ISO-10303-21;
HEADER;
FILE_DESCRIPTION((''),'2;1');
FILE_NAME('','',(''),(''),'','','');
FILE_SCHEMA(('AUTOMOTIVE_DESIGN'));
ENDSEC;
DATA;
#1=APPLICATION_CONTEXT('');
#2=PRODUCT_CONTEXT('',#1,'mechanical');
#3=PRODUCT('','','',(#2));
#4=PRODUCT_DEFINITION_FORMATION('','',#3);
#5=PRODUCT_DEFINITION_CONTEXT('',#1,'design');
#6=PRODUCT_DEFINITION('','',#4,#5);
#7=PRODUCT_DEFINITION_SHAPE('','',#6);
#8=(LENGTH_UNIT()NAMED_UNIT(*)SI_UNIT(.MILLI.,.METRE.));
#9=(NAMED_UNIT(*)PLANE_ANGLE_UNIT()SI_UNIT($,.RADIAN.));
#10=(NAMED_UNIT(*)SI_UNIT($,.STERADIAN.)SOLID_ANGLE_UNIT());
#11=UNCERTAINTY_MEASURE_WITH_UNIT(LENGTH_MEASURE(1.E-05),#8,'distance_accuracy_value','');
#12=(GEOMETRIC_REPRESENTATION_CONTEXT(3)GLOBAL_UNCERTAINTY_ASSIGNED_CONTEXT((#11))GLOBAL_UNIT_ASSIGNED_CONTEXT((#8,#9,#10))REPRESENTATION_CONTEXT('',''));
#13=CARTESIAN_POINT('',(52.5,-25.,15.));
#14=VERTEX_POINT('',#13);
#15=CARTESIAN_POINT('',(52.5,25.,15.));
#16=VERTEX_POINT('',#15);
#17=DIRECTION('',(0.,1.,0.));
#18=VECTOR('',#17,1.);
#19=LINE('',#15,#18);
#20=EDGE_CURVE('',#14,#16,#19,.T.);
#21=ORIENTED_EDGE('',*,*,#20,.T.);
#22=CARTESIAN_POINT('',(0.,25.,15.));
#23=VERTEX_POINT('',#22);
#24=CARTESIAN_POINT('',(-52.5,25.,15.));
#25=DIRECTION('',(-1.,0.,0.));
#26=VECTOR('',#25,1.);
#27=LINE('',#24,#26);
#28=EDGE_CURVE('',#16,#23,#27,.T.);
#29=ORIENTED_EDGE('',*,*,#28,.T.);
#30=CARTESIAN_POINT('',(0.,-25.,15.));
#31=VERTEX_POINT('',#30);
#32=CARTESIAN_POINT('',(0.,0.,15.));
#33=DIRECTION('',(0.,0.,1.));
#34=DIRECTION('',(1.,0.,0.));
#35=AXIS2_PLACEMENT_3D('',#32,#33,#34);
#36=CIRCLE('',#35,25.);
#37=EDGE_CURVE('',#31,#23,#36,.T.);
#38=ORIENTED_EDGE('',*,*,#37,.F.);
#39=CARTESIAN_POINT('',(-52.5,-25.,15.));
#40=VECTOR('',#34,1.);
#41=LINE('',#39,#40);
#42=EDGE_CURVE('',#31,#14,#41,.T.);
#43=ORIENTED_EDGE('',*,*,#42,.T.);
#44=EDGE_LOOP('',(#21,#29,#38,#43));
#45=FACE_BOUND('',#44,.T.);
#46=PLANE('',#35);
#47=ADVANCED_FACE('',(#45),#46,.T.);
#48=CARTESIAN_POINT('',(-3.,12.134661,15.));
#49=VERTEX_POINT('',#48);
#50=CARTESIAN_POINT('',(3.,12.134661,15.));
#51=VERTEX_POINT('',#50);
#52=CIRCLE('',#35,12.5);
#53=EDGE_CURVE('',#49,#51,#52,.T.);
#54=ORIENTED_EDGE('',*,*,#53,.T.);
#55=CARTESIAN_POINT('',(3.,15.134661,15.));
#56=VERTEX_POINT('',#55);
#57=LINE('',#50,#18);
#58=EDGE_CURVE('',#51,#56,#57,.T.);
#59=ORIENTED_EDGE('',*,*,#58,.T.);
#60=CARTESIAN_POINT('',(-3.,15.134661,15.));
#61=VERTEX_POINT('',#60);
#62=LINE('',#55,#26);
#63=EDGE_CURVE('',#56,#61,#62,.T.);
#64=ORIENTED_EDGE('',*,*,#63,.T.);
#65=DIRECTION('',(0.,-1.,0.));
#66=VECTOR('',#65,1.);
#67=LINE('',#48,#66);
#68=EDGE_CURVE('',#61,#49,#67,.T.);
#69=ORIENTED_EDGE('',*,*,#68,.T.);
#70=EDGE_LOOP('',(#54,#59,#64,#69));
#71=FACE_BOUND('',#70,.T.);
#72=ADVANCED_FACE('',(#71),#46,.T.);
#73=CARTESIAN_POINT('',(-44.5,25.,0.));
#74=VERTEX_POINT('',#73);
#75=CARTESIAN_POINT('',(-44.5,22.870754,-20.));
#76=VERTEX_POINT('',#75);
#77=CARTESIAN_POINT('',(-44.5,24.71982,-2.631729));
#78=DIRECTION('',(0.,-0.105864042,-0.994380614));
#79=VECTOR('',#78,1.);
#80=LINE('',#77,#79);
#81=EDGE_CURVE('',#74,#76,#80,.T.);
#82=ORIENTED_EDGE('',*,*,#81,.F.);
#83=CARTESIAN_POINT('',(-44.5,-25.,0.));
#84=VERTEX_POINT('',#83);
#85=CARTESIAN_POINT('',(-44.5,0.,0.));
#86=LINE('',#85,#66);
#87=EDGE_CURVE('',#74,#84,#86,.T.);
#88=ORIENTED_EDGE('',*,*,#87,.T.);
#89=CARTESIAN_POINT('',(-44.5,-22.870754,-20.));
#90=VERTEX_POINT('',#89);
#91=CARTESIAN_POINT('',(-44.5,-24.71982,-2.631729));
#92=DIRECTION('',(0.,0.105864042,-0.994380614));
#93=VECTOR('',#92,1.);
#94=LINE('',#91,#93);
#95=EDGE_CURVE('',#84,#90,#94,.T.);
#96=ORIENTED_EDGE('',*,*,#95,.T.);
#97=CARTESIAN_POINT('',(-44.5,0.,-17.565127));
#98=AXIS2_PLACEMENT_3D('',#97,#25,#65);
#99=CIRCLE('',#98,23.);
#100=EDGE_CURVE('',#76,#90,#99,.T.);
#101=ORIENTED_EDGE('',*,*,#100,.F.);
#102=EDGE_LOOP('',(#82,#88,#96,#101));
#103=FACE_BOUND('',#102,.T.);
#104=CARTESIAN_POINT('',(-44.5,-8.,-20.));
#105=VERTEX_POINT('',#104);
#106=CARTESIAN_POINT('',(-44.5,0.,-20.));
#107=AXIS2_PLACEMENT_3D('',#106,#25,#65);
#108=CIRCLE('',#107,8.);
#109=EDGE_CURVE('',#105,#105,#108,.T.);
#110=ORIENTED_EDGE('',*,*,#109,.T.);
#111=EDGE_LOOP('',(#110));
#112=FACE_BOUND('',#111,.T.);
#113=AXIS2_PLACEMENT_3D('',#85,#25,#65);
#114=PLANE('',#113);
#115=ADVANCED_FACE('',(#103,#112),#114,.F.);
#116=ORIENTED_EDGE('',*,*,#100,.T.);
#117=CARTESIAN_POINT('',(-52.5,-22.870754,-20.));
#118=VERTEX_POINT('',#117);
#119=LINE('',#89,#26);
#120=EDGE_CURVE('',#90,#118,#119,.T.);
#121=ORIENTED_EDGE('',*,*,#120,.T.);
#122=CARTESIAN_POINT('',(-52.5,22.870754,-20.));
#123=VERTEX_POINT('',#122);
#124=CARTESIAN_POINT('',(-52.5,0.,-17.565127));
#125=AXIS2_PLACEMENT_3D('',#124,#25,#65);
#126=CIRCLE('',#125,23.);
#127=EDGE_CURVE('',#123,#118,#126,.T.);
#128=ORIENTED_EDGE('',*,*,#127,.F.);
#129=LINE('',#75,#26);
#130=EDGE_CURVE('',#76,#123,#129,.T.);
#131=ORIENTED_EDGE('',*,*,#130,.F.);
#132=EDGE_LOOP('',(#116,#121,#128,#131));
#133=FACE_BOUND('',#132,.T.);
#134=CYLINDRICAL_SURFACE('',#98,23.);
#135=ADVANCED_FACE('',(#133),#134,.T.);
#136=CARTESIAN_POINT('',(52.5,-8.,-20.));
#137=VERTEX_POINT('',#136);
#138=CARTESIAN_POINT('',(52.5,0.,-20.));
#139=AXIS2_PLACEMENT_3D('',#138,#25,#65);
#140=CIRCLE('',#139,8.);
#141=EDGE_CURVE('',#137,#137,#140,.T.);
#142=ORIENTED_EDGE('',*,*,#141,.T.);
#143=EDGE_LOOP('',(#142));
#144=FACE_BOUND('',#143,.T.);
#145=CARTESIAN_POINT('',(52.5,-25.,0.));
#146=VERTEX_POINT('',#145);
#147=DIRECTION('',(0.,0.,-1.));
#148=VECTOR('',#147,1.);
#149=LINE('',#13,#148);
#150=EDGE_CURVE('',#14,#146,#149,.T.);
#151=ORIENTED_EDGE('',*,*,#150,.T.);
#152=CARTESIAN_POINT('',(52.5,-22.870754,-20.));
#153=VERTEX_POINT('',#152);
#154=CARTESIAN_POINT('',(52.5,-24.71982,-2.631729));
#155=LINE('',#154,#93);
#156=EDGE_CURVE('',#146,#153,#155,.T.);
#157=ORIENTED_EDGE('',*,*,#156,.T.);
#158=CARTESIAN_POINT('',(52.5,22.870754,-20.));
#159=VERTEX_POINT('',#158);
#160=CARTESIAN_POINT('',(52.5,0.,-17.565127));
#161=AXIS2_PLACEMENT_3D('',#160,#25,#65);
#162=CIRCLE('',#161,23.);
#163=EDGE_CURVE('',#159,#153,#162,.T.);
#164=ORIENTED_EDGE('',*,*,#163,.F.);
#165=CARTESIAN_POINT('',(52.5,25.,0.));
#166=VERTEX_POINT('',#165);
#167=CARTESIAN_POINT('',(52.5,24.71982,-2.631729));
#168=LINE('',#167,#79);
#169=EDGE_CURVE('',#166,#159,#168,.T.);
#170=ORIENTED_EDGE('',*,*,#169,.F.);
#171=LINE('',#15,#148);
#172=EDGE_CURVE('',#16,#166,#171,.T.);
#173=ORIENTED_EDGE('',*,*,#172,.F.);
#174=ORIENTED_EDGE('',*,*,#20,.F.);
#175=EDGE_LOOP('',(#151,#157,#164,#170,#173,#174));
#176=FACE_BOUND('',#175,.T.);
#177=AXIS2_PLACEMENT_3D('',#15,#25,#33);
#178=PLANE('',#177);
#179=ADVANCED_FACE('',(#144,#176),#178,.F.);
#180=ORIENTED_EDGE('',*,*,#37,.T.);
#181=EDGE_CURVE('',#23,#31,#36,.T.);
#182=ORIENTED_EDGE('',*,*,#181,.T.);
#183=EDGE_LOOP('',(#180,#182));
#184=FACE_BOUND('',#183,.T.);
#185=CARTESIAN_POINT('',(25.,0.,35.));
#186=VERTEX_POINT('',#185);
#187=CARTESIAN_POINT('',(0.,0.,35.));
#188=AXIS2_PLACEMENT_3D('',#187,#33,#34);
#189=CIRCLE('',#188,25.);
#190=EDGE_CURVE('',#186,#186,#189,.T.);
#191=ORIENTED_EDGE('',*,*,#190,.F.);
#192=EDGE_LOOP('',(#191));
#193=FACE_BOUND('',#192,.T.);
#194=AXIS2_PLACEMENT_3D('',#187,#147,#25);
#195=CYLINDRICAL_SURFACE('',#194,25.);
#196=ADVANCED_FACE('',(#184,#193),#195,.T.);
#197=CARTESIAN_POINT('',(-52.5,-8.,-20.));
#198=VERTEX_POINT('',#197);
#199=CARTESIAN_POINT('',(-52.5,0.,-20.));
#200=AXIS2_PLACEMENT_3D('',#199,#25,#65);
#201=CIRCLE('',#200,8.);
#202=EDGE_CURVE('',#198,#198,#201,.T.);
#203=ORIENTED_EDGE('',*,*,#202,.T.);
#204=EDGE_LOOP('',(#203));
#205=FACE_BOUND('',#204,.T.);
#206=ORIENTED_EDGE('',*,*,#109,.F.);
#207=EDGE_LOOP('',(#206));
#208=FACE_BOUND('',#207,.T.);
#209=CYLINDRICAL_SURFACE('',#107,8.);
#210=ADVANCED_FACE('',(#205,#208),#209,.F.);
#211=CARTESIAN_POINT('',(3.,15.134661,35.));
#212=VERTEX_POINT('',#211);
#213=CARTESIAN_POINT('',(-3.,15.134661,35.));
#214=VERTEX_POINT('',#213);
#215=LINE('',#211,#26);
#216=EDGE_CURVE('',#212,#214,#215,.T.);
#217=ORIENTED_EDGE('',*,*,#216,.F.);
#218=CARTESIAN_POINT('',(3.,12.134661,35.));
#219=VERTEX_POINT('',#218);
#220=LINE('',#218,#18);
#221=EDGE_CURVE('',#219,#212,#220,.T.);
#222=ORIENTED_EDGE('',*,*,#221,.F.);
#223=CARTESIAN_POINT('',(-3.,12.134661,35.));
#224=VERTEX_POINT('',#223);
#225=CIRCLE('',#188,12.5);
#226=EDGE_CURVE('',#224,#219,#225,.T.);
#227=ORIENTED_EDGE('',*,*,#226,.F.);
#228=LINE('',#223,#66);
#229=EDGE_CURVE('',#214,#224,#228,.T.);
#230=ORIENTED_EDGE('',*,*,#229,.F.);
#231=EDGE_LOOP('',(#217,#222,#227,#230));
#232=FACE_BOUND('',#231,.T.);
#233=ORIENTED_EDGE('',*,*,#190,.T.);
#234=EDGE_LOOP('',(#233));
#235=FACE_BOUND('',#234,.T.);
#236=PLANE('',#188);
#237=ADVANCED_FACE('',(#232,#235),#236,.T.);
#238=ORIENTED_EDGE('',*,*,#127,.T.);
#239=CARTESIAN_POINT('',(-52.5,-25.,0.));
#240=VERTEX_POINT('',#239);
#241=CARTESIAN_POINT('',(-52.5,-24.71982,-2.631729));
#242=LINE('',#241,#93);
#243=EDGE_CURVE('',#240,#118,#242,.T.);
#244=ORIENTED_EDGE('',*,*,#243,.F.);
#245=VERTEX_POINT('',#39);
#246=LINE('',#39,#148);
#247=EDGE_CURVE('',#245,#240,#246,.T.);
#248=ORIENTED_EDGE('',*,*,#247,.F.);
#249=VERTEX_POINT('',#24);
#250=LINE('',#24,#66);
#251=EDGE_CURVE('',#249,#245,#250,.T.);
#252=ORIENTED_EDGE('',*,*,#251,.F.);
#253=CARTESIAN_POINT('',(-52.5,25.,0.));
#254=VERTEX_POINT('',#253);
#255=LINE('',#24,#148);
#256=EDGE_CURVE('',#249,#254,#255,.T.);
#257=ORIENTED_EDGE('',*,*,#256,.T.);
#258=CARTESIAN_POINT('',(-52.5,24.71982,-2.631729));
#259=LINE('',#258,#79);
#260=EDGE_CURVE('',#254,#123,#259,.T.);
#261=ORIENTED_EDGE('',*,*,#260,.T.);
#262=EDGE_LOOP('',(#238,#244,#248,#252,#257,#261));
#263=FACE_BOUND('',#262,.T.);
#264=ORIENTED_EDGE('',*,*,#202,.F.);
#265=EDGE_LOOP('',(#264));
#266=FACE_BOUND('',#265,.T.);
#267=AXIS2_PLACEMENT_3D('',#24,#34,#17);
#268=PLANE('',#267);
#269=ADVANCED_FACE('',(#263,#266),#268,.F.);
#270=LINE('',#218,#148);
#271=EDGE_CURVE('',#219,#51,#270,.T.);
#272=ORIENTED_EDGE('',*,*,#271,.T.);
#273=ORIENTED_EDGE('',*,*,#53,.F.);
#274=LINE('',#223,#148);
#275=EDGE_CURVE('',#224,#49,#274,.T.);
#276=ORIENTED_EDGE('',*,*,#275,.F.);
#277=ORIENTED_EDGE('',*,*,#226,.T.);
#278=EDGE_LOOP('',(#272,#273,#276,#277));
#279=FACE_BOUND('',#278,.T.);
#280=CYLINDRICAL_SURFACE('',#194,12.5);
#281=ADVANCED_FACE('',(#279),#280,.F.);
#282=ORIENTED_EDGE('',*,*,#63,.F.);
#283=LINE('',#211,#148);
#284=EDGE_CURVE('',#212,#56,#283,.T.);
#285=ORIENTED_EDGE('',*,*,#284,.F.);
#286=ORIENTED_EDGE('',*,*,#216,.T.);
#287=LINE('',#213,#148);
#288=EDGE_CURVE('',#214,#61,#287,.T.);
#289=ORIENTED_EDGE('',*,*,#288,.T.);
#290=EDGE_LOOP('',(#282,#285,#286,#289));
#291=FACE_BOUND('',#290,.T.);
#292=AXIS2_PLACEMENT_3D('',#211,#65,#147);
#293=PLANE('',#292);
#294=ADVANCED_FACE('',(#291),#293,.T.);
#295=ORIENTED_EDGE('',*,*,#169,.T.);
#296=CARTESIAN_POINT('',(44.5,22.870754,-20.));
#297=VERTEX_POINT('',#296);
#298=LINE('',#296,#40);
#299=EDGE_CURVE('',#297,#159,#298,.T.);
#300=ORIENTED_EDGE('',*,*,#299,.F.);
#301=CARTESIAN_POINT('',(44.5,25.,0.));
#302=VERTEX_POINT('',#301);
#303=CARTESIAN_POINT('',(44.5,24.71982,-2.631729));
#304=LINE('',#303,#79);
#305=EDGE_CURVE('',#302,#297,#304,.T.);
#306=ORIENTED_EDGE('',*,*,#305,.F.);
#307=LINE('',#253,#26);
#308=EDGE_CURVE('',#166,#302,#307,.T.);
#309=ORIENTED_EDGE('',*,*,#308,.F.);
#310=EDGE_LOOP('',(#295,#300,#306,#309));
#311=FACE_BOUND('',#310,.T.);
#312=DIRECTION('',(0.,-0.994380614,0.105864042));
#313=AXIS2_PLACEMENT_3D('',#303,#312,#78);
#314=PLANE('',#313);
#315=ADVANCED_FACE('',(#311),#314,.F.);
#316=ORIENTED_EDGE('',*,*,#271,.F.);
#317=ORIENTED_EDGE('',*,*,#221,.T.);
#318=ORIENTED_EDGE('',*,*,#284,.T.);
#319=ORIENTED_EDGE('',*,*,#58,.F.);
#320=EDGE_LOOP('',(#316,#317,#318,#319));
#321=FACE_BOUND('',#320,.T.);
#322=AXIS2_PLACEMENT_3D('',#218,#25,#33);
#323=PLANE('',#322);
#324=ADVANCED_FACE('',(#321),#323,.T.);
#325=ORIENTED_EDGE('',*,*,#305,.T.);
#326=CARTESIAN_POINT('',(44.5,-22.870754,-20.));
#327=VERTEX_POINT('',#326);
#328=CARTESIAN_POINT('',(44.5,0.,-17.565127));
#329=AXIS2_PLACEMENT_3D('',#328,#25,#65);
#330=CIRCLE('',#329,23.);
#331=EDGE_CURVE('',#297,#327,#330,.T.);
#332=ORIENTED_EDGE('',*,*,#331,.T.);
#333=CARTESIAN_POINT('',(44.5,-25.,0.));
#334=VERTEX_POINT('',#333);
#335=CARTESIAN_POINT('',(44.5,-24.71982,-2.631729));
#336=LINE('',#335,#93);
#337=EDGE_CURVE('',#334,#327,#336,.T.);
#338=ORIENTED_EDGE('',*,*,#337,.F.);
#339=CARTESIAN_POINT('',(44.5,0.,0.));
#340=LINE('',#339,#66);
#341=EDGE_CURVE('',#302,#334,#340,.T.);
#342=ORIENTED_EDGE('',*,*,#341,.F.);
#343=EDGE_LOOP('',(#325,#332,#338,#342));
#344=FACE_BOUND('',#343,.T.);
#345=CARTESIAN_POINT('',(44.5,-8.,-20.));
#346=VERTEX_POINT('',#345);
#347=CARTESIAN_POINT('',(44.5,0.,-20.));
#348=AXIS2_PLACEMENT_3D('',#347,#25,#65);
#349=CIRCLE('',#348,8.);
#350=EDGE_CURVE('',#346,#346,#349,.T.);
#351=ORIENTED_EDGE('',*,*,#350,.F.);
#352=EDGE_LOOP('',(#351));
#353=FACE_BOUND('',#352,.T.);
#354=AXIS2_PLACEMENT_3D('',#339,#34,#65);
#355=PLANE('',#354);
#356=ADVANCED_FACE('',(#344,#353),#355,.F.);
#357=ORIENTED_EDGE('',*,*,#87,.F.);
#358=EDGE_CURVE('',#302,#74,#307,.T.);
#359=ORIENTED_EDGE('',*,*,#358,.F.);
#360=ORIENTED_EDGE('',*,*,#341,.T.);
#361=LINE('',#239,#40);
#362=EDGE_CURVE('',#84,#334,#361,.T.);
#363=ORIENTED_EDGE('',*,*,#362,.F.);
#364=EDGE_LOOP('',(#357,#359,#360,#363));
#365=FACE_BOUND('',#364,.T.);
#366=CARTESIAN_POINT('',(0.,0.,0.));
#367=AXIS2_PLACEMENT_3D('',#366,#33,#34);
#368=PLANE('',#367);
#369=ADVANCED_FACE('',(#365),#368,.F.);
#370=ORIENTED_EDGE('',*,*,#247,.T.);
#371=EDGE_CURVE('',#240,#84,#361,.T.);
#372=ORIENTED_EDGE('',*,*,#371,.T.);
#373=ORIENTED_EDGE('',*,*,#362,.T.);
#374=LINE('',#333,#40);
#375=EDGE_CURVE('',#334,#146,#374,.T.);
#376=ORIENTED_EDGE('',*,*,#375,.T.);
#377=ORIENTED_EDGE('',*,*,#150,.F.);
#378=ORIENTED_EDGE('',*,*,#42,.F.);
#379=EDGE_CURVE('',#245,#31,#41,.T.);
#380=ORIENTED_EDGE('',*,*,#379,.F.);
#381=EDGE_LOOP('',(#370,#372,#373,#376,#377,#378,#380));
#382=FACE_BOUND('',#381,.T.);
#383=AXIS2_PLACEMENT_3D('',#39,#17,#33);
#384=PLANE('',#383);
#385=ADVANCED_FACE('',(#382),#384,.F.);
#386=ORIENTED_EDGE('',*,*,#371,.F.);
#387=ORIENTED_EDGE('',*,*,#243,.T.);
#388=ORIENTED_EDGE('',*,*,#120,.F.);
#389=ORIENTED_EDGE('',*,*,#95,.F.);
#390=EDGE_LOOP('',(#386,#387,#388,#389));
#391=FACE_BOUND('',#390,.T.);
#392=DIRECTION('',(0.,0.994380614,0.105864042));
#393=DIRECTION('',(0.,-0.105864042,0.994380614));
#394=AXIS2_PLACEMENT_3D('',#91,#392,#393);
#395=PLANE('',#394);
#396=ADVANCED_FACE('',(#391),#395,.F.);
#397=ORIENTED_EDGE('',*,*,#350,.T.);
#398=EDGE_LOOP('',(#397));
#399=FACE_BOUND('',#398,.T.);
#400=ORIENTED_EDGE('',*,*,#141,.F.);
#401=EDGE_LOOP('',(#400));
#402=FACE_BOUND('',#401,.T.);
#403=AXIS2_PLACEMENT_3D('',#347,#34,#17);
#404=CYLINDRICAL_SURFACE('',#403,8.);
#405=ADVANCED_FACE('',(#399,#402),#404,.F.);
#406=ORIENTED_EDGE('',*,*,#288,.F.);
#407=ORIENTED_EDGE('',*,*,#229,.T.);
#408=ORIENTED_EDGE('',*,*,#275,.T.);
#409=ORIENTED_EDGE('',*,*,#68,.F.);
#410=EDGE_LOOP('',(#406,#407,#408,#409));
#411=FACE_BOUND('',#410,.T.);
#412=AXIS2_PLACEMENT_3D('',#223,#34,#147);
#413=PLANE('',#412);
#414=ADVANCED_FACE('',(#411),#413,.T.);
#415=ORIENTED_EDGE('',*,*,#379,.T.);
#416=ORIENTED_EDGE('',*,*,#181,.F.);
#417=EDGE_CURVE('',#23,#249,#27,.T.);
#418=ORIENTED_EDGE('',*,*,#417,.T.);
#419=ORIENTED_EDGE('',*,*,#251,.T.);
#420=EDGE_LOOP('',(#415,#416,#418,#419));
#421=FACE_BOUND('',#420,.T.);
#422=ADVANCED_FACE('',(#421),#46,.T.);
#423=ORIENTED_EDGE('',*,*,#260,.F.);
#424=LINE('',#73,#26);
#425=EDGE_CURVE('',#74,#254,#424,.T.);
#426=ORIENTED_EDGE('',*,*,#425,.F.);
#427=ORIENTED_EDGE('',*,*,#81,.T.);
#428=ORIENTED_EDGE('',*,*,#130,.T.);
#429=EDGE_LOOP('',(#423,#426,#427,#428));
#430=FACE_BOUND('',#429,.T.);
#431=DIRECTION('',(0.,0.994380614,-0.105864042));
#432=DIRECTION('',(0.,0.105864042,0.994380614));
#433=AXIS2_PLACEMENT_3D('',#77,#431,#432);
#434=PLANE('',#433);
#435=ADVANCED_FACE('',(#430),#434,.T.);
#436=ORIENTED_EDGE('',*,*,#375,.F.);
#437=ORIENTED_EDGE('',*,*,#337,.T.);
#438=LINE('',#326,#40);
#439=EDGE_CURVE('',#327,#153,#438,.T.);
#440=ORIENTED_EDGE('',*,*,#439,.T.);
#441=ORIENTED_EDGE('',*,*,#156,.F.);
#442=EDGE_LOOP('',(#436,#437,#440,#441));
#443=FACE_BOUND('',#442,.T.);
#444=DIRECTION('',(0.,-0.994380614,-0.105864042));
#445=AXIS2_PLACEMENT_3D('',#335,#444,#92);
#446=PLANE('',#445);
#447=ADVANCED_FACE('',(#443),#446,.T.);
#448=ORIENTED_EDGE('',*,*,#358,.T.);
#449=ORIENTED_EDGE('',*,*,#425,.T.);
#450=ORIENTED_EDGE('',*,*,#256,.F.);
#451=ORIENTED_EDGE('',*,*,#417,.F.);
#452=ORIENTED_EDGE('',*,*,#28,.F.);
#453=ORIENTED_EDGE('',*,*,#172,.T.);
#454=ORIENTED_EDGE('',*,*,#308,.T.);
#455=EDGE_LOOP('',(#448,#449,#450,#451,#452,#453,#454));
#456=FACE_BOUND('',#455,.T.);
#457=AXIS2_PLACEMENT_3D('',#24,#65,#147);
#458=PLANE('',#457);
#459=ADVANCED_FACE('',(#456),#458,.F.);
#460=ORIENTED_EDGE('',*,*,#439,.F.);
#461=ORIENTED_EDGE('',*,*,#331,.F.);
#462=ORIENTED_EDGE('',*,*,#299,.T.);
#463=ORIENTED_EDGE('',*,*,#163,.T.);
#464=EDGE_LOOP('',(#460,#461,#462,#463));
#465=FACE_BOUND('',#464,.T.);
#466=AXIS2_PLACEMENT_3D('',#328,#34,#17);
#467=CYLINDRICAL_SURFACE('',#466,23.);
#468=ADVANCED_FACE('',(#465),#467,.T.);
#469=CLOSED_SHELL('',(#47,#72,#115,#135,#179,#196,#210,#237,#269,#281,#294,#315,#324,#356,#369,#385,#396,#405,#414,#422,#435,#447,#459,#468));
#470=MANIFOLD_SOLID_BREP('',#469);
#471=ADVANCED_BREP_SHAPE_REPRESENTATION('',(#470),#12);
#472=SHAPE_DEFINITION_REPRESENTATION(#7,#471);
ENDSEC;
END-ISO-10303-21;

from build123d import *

# Parameters (mm, degrees)
SKETCH1_W           = 105
SKETCH1_H           = 50
BOSS_EXTRUDE1_DEPTH = 15
SKETCH4_R           = 8
BOSS_EXTRUDE2_DEPTH = 8
SKETCH5_R           = 25
BOSS_EXTRUDE3_DEPTH = 20


with BuildPart() as part:
    # Sketch1 → Boss-Extrude1 (new body)
    with BuildSketch(Plane.XY):
        Rectangle(SKETCH1_W, SKETCH1_H)
    extrude(amount=BOSS_EXTRUDE1_DEPTH)

    # Sketch4 → Boss-Extrude2 (add)
    with BuildSketch(Plane.ZY.offset(52.5)):
        with BuildLine():
            Line((0, -25), (0, 25))
            Line((0, 25), (-20, 22.870754113))
            ThreePointArc((-20, 22.870754113), (-40.565127043, 0), (-20, -22.870754113))
            Line((-20, -22.870754113), (0, -25))
        make_face()
        with Locations(Location((-20, 0, 0), (0, 0, 270))):
            Circle(SKETCH4_R, mode=Mode.SUBTRACT)
    boss_extrude2 = extrude(amount=-BOSS_EXTRUDE2_DEPTH)

    # Mirror1: Boss-Extrude2 across plane
    add(boss_extrude2.mirror(Plane(origin=(0, 0, 0), x_dir=(0, 0, 1), z_dir=(1, 0, 0))))

    # Sketch5 → Boss-Extrude3 (add)
    with BuildSketch(Plane.XY.offset(15)):
        with Locations(Location((0, 0, 0), (0, 0, 270))):
            Circle(SKETCH5_R)
        with BuildLine():
            Line((3, 12.1346611), (3, 15.1346611))
            Line((3, 15.1346611), (-3, 15.1346611))
            Line((-3, 15.1346611), (-3, 12.1346611))
            ThreePointArc((-3, 12.1346611), (0, -12.5), (3, 12.1346611))
        make_face(mode=Mode.SUBTRACT)
    extrude(amount=BOSS_EXTRUDE3_DEPTH)


solid = part.part
